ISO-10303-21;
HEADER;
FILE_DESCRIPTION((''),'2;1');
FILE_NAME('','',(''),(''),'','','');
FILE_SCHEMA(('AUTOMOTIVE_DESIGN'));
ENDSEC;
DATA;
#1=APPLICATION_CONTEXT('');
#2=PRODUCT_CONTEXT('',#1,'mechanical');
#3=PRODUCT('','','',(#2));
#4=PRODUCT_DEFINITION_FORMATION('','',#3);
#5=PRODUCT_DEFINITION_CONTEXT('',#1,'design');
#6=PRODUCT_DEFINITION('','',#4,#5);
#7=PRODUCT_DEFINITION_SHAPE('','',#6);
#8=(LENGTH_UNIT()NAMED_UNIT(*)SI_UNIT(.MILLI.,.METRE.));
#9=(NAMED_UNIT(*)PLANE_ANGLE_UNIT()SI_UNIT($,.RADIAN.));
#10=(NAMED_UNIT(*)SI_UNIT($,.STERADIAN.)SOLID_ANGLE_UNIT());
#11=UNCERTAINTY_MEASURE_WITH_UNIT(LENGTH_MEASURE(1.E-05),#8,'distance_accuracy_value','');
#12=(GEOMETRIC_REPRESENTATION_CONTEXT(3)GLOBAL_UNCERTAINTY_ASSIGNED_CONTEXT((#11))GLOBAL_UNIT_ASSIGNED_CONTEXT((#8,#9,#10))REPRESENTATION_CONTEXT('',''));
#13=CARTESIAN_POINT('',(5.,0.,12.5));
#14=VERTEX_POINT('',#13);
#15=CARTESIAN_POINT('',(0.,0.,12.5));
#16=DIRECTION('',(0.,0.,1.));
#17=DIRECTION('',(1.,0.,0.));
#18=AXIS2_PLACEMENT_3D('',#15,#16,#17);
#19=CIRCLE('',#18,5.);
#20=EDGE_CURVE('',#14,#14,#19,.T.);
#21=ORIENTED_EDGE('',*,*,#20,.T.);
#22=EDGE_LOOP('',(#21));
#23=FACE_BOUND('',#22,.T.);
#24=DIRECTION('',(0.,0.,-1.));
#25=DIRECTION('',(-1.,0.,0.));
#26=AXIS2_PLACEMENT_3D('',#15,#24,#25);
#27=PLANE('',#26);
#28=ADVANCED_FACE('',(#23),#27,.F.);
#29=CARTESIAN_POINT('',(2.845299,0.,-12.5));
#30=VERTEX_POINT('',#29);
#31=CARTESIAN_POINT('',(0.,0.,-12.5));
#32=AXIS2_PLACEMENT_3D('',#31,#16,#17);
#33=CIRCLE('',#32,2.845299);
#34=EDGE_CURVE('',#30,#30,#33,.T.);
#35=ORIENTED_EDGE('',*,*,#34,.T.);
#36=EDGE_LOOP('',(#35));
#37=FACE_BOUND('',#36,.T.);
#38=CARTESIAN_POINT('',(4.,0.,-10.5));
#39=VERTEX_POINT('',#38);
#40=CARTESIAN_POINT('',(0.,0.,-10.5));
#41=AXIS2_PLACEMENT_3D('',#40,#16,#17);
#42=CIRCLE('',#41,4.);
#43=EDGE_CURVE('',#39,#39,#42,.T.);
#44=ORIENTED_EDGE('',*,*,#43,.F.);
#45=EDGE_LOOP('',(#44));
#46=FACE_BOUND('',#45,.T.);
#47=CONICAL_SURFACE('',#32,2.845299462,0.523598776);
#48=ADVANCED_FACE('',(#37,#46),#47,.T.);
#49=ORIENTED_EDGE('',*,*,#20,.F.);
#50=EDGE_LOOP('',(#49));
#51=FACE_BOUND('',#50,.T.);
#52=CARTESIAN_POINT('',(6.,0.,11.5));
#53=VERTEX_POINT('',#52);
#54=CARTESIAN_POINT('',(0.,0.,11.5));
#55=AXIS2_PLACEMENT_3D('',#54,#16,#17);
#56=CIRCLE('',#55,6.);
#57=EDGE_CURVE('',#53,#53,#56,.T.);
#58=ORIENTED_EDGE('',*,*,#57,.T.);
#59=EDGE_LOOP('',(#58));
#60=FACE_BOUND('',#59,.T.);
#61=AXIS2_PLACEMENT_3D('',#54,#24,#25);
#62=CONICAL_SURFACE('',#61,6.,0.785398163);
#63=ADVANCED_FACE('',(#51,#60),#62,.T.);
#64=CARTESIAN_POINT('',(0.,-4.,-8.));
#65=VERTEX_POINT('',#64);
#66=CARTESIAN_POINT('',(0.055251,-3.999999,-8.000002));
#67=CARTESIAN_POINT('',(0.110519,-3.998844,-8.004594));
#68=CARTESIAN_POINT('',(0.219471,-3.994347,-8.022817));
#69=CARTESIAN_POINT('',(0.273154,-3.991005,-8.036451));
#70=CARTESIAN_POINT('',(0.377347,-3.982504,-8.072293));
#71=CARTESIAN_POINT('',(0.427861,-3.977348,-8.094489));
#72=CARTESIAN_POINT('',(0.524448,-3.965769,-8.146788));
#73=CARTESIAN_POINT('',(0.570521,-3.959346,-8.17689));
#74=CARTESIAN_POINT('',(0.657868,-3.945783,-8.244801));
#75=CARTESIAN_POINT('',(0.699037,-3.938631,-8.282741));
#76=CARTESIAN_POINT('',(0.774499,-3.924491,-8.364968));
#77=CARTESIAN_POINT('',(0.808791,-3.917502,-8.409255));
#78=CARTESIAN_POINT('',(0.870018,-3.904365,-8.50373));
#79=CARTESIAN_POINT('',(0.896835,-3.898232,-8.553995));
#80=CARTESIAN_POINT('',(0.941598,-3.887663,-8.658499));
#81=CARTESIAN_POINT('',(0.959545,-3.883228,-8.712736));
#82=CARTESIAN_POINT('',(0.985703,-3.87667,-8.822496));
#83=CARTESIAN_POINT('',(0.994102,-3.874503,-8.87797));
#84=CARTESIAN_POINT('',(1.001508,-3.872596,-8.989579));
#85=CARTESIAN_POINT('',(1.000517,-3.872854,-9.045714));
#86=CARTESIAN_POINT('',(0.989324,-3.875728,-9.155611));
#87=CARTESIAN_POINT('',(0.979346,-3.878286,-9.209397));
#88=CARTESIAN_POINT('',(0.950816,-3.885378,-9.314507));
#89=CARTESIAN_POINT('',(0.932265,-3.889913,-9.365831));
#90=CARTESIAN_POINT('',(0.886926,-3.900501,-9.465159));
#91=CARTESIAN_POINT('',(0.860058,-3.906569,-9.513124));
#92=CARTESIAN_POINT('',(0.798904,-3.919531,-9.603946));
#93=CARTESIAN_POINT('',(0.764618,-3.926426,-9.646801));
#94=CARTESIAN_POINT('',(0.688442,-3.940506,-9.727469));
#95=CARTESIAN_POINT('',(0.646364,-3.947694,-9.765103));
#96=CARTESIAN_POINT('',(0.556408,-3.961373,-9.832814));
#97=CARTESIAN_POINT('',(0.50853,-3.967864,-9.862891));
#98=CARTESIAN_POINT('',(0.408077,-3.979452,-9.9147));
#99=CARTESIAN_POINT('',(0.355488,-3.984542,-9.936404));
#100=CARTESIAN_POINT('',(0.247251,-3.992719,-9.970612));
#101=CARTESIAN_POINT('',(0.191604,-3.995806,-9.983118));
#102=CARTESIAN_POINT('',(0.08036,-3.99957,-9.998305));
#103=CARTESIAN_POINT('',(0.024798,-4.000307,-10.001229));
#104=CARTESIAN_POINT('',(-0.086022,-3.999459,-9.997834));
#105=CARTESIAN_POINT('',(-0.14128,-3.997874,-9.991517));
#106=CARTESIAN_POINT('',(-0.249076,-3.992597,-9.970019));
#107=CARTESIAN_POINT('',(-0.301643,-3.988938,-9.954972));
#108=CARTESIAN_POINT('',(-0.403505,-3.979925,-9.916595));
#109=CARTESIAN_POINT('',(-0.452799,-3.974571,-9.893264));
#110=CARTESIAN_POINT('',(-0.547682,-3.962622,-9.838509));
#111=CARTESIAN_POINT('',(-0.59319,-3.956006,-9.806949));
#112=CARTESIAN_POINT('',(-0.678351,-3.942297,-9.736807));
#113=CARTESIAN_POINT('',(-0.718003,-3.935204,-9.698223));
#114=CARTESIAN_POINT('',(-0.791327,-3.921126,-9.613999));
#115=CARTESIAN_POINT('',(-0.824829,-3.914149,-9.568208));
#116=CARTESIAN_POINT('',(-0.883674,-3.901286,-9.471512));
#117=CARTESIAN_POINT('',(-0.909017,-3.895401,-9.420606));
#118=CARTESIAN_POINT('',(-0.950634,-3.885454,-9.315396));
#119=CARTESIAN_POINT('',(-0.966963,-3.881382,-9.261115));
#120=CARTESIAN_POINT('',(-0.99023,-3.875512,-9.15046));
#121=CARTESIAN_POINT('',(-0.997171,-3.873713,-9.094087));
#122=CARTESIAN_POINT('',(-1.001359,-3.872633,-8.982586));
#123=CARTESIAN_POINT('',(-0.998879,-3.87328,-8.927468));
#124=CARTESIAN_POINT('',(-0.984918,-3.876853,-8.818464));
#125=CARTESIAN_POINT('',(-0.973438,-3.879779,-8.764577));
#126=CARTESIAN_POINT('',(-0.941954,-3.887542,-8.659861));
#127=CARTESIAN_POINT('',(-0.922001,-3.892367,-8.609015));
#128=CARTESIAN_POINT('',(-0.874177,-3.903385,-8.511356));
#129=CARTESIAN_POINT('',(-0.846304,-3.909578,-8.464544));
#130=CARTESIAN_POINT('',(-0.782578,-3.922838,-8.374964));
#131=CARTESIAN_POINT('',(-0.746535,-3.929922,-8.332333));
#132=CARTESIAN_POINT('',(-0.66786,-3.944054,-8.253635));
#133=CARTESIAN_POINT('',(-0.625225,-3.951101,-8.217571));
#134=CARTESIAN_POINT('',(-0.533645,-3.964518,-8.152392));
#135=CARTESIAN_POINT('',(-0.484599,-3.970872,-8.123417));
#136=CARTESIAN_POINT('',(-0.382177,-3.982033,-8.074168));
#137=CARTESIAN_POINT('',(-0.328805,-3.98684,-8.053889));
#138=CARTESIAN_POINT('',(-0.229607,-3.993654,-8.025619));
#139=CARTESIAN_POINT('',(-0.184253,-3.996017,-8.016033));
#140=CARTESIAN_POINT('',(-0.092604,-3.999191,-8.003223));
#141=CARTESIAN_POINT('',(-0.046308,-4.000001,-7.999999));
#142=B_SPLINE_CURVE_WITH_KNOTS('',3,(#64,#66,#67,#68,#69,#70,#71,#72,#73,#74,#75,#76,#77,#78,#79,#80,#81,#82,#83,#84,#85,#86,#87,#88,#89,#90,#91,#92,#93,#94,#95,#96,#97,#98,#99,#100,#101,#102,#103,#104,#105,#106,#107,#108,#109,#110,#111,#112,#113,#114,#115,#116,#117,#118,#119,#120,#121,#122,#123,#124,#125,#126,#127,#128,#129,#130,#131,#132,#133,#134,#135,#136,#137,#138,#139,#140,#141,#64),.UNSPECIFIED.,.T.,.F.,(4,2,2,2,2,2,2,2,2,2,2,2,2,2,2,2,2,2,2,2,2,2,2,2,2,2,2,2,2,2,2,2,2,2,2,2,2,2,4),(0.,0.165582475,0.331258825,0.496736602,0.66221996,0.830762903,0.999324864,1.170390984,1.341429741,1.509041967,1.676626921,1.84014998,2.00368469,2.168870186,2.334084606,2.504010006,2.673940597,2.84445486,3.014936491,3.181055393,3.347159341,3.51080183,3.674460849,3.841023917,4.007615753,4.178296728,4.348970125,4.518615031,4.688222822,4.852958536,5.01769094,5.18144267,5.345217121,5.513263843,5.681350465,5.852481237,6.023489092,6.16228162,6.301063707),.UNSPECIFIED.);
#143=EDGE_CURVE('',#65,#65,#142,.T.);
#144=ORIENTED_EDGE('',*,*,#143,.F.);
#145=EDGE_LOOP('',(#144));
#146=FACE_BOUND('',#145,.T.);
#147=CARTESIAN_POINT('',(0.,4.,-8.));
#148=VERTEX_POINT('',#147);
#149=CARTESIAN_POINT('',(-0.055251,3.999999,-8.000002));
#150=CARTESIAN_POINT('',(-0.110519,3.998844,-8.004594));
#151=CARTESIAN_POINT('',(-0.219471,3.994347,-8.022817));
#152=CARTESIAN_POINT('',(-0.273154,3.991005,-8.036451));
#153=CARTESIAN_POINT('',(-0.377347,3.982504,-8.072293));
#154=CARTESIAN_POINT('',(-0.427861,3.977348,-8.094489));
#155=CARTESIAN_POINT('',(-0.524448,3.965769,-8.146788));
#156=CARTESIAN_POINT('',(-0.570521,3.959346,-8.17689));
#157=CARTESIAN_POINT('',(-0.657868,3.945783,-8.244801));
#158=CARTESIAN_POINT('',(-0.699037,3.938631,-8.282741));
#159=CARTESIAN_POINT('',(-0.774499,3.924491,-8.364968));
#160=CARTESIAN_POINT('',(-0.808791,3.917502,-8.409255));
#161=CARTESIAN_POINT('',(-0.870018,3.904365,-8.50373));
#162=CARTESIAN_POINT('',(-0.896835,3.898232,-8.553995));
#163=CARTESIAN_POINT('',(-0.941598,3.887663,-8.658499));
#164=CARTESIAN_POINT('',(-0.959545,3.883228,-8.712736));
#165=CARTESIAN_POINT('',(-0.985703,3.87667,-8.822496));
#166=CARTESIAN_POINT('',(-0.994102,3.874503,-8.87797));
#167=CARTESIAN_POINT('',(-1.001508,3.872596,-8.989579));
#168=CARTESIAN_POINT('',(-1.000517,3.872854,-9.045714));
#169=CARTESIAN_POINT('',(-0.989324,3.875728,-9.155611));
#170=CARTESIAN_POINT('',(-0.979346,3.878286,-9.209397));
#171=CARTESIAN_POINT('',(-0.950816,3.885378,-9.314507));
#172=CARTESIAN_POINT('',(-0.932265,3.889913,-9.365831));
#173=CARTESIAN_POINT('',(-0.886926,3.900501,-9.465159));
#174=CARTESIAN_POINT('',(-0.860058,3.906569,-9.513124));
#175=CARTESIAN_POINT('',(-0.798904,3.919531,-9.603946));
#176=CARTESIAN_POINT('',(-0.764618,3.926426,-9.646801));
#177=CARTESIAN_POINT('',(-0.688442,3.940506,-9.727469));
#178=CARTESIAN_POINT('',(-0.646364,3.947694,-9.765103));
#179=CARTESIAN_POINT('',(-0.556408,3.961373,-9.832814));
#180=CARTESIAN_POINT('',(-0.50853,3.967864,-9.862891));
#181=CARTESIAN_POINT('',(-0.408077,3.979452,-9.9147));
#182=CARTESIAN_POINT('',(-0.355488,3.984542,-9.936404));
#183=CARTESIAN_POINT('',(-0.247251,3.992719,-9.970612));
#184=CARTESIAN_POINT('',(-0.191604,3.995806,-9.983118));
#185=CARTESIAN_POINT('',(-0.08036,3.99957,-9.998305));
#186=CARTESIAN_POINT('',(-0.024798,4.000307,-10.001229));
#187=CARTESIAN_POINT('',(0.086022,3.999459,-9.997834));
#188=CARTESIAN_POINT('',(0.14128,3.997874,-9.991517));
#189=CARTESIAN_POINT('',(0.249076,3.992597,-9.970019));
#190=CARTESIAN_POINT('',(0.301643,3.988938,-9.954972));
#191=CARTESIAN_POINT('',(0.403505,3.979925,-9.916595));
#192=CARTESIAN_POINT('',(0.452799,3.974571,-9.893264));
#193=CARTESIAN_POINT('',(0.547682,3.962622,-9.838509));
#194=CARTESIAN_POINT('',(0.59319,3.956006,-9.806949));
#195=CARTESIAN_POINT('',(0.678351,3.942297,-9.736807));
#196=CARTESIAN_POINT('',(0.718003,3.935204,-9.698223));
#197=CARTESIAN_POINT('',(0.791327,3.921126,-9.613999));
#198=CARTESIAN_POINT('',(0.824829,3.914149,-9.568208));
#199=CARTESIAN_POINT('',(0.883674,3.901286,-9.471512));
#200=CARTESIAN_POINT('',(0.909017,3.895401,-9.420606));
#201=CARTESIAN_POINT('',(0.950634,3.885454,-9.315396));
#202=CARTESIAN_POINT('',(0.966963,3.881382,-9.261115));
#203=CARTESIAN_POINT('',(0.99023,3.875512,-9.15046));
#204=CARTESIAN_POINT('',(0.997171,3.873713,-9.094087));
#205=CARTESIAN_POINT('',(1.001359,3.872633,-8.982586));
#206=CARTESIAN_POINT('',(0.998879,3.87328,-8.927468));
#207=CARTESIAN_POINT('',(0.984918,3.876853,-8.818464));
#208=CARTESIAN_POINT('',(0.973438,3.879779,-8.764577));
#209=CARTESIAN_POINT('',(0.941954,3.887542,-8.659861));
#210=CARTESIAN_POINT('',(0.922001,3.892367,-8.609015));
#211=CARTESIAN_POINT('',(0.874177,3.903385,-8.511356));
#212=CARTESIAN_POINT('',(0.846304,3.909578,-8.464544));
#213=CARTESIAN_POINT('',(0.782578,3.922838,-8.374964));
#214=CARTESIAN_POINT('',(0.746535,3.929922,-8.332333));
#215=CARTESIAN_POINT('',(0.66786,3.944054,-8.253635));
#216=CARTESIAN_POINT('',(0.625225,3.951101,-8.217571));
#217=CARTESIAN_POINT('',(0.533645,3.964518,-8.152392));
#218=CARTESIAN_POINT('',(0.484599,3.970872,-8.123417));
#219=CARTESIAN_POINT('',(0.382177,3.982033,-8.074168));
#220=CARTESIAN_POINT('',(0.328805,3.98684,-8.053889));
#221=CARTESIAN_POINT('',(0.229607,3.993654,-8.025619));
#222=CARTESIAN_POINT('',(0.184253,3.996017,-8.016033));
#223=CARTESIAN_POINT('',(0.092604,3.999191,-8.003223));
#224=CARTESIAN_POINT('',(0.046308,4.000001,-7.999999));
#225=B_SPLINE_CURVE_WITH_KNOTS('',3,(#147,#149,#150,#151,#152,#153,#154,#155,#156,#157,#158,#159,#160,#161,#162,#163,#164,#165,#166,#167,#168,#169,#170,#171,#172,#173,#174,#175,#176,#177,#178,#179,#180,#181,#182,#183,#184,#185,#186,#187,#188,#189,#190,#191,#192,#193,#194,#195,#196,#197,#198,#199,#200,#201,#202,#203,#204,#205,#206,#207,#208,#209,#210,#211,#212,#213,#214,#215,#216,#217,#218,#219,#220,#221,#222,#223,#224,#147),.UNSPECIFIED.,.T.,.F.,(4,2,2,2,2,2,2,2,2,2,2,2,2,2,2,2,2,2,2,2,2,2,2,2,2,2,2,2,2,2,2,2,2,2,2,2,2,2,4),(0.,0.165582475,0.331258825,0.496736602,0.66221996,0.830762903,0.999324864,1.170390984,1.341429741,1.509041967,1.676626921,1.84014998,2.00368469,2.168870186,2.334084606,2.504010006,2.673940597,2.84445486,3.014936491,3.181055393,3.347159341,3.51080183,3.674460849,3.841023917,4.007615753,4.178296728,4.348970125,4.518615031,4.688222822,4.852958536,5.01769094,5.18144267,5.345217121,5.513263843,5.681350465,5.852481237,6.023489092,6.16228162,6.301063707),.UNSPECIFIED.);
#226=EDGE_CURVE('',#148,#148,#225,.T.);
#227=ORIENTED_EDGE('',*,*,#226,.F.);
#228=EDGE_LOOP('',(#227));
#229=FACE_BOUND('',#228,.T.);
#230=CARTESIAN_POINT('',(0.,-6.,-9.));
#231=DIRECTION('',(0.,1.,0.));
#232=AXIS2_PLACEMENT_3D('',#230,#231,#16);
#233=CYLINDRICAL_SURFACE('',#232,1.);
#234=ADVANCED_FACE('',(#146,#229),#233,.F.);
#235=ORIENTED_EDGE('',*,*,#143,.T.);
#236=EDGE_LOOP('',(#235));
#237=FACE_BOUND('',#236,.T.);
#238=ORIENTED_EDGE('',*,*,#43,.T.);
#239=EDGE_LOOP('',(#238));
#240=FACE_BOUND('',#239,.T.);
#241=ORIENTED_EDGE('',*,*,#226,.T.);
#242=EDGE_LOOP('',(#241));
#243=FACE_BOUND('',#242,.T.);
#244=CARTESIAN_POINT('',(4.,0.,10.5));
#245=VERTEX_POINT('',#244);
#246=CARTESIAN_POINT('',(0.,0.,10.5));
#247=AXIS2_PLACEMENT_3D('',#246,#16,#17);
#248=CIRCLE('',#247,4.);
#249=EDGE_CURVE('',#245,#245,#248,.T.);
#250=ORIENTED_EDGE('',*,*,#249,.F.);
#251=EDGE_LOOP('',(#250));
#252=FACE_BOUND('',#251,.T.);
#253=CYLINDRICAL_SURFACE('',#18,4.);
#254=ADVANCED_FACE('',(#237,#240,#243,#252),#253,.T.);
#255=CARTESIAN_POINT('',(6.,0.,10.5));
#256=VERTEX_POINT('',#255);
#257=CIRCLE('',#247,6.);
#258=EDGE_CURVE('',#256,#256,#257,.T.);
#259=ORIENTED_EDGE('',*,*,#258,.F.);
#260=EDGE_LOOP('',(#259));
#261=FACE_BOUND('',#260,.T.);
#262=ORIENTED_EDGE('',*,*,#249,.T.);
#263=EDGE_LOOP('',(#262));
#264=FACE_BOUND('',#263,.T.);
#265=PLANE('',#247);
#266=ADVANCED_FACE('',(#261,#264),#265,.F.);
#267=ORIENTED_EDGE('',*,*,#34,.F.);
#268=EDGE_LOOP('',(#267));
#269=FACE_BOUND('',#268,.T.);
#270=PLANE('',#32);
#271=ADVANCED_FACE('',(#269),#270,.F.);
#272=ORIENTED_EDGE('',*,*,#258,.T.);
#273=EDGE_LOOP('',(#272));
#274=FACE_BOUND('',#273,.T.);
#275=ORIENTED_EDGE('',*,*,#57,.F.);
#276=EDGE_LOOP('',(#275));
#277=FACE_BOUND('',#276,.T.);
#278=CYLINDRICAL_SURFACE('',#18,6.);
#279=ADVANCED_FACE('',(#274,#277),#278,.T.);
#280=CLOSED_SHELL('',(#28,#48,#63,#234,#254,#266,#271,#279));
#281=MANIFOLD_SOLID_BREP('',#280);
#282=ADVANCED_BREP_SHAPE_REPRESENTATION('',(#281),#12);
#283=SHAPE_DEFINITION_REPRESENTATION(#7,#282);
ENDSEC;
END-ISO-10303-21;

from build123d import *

# Parameters (mm, degrees)
WYTNIJ_WYCI_GNI_CIE1_DEPTH      = 16.10794493
WYTNIJ_WYCI_GNI_CIE1_DEPTH_BACK = 16.10794493
SZKIC2_R                        = 1


with BuildPart() as part:
    # Szkic1 → Obrót1 (revolve)
    with BuildSketch(Plane(origin=(0, 0, 0), x_dir=(1, 0, 0), z_dir=(0, 1, 0))):
        Polygon((0, -12.5), (5, -12.5), (6, -11.5), (6, -10.5), (4, -10.5), (4, 10.5), (2.845299462, 12.5), (0, 12.5), align=None)
    revolve(axis=Axis((0, 0, 12.5), (0, 0, -1)))

    # Szkic2 → Wytnij-wyciągnięcie1 (cut, two sides: drawn at the far end of the back side and taken through both)
    with BuildSketch(Plane(origin=(0, 0, 0), x_dir=(1, 0, 0), z_dir=(0, 1, 0)).offset(-WYTNIJ_WYCI_GNI_CIE1_DEPTH_BACK)):
        with Locations(Location((0, 9, 0), (0, 0, 270))):
            Circle(SZKIC2_R)
    extrude(amount=WYTNIJ_WYCI_GNI_CIE1_DEPTH + WYTNIJ_WYCI_GNI_CIE1_DEPTH_BACK, mode=Mode.SUBTRACT)


solid = part.part
